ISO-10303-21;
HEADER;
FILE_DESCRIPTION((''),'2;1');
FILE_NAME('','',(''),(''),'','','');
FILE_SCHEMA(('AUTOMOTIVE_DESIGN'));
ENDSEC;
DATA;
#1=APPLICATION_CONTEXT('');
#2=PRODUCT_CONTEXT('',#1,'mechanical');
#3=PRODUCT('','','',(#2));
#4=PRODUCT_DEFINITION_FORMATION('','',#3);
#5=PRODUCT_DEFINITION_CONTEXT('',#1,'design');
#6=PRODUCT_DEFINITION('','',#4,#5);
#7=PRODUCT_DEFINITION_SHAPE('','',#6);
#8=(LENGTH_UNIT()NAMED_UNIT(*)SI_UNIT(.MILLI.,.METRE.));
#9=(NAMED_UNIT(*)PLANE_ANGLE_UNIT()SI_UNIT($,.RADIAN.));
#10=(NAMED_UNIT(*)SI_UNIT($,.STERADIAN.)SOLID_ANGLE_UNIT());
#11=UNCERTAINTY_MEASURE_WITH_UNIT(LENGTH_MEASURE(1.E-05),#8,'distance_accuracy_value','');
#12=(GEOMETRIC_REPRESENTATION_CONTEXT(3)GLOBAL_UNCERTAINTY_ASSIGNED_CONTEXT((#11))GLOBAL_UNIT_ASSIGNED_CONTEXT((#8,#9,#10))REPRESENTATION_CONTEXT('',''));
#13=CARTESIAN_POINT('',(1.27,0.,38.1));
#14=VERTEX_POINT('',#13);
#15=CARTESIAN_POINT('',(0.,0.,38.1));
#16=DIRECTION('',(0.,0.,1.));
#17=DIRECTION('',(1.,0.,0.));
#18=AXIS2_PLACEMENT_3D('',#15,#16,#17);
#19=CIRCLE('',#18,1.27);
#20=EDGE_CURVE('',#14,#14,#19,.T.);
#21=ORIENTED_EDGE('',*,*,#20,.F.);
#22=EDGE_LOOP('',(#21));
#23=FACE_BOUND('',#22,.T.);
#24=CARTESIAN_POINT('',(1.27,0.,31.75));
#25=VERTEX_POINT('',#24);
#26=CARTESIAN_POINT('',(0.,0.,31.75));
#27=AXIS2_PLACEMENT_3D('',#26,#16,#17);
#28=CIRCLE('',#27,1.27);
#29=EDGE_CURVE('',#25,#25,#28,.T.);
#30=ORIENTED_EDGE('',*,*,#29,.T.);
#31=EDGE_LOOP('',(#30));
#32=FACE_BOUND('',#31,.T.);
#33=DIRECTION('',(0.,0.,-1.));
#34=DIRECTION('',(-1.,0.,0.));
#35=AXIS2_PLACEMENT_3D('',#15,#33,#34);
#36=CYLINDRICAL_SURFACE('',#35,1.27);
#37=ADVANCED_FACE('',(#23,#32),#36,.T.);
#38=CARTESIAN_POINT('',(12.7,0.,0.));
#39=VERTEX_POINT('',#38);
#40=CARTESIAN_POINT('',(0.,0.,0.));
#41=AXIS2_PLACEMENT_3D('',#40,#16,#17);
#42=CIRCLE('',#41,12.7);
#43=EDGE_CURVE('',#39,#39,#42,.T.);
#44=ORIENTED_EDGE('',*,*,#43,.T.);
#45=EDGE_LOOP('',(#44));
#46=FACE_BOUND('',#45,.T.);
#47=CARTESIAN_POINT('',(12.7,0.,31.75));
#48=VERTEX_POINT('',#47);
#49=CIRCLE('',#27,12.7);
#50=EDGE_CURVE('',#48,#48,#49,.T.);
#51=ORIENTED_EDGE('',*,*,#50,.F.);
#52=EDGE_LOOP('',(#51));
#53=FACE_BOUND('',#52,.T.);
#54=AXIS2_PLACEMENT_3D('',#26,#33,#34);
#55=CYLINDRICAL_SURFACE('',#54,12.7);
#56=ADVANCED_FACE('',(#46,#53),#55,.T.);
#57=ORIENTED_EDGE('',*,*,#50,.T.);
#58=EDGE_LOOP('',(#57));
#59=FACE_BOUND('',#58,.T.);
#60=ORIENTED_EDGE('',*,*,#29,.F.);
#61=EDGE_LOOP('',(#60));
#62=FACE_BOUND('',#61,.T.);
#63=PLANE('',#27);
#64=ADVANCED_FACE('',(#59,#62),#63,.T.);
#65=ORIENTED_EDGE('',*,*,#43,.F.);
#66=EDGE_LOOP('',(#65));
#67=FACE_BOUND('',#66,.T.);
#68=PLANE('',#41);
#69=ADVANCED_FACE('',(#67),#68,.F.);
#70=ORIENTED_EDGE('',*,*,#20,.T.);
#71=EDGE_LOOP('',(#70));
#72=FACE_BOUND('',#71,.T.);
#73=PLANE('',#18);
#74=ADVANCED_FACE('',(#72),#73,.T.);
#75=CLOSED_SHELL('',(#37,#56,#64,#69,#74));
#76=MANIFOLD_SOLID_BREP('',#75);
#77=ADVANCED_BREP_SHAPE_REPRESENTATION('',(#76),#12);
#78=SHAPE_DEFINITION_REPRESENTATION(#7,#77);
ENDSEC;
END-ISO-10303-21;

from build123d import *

# Parameters (mm, degrees)
SKETCH1_R           = 12.7
BOSS_EXTRUDE1_DEPTH = 31.75
SKETCH2_R           = 1.27
BOSS_EXTRUDE2_DEPTH = 6.35


with BuildPart() as part:
    # Sketch1 → Boss-Extrude1 (new body)
    with BuildSketch(Plane.XY):
        Circle(SKETCH1_R)
    extrude(amount=BOSS_EXTRUDE1_DEPTH)

    # Sketch2 → Boss-Extrude2 (add)
    with BuildSketch(Plane.XY.offset(31.75)):
        Circle(SKETCH2_R)
    extrude(amount=BOSS_EXTRUDE2_DEPTH)


solid = part.part
